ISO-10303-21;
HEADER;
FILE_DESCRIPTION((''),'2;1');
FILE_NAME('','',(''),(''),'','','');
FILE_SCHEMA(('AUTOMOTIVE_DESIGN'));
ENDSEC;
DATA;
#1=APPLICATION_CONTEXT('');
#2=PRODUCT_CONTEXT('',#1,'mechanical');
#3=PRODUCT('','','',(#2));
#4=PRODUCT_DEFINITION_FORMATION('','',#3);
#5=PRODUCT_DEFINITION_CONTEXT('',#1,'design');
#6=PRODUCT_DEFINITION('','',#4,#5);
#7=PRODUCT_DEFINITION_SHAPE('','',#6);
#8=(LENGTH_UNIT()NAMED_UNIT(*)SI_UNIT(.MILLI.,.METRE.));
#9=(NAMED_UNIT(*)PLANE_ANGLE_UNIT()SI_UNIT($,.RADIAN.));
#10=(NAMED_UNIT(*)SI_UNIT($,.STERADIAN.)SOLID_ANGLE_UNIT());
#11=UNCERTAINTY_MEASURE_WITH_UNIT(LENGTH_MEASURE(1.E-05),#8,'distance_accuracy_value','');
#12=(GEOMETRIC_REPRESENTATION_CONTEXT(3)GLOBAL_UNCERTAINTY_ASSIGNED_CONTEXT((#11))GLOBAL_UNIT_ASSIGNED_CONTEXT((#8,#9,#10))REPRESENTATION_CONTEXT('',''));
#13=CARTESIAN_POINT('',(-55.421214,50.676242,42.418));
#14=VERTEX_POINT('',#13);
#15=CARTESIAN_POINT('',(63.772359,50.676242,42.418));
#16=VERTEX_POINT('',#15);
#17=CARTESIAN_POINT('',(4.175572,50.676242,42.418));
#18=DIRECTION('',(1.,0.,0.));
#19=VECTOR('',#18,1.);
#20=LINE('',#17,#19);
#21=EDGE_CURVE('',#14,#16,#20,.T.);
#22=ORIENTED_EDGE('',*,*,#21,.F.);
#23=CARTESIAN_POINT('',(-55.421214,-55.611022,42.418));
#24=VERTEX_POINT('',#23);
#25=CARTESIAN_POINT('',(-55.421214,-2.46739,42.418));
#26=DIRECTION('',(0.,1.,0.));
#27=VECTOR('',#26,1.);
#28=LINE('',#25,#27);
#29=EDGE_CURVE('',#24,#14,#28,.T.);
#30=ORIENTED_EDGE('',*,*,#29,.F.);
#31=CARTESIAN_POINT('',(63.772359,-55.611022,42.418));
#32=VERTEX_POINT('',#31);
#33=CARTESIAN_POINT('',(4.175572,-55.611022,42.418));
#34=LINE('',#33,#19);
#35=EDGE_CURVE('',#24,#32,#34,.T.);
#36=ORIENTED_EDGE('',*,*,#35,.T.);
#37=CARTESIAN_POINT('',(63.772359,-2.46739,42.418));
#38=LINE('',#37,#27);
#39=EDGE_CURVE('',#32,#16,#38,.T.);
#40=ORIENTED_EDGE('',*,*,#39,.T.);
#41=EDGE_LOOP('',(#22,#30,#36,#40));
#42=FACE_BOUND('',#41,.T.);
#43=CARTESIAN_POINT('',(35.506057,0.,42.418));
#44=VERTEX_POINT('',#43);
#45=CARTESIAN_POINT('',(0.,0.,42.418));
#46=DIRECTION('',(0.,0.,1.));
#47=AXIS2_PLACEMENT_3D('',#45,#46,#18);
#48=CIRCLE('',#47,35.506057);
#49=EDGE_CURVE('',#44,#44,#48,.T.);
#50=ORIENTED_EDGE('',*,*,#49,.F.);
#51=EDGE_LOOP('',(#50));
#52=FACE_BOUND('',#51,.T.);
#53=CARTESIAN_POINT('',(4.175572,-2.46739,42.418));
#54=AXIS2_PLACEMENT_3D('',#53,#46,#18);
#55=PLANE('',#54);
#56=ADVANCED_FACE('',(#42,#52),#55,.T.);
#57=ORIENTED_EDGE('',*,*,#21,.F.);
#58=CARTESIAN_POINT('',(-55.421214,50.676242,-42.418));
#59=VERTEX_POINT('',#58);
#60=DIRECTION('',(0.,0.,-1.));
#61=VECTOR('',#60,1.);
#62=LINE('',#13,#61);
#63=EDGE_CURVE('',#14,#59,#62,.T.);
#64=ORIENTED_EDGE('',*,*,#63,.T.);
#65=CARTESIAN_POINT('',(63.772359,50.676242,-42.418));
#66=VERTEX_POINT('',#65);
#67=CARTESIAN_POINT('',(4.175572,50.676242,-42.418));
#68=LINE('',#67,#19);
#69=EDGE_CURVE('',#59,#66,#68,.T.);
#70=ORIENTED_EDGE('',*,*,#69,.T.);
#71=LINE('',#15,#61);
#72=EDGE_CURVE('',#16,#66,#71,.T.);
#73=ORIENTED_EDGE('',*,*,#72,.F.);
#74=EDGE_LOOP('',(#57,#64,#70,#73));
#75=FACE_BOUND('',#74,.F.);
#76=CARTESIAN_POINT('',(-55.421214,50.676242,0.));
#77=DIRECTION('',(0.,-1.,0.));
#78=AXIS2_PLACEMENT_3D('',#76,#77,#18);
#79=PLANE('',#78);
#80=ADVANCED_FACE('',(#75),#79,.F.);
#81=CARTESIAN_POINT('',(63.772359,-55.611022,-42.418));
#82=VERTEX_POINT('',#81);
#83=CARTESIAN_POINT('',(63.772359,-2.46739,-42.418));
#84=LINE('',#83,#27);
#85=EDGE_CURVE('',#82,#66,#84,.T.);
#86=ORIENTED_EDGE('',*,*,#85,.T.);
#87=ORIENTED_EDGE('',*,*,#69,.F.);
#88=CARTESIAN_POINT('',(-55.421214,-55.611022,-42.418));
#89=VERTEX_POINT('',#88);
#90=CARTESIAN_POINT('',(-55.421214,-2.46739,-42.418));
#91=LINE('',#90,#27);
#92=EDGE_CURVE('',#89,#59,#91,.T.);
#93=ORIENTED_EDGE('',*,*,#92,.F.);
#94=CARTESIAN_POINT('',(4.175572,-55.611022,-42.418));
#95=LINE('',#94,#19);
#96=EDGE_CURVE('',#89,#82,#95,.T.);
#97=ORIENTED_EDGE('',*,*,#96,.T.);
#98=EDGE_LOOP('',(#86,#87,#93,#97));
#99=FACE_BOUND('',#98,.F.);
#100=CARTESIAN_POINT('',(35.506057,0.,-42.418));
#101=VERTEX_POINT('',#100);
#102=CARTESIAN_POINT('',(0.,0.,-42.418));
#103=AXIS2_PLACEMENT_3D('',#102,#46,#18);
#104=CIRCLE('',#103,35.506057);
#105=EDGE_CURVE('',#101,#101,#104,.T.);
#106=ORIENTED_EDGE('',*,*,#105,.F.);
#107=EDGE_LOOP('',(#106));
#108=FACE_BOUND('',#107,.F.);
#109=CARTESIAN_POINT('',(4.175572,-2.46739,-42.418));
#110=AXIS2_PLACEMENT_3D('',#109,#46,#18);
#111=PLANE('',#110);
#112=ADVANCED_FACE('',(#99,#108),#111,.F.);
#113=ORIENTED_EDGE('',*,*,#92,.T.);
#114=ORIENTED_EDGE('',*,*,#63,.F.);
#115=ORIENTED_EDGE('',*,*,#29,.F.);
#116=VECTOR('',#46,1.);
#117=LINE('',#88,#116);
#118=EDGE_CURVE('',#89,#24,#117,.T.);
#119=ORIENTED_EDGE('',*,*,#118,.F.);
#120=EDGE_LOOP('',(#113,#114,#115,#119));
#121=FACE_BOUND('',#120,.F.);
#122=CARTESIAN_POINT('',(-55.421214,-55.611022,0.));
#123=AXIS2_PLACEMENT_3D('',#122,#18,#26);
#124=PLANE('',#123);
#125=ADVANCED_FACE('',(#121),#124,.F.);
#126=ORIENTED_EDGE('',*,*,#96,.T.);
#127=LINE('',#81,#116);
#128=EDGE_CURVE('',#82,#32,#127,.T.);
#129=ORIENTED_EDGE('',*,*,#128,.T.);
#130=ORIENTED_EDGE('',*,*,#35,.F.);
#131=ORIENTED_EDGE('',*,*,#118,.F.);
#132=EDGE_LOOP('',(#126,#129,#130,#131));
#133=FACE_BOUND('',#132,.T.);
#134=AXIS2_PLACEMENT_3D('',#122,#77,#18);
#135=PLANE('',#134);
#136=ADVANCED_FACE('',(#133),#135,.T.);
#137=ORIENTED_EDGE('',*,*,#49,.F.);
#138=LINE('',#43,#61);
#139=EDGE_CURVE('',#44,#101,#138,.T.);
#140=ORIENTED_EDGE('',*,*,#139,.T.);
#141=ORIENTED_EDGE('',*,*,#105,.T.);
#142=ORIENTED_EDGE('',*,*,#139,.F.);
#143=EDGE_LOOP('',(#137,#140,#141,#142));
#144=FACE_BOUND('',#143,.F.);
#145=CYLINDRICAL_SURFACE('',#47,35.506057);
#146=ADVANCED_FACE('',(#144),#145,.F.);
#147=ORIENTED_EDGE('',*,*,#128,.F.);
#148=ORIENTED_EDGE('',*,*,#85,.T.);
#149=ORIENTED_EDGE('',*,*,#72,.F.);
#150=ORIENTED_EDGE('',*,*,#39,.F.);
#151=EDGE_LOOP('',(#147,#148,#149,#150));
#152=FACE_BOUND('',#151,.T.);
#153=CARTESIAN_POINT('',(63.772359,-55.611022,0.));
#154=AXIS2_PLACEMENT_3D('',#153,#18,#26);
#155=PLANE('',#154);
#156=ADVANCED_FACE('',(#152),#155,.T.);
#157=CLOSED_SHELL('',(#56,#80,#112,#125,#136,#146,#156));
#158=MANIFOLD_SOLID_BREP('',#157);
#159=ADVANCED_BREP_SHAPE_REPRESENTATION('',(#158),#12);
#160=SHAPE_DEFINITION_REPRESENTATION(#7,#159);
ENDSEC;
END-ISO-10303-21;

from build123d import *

# Parameters (mm, degrees)
F0_W     = 119.193573
F0_H     = 106.287264
F1_DEPTH = 42.418
F2_R     = 35.506057
F3_DEPTH = 102.108


with BuildPart() as f1:
    # F0 (on Top) → F1 (new body, symmetric)
    with BuildSketch(Plane.XY):
        with Locations((4.175572, -2.46739)):
            Rectangle(F0_W, F0_H)
    extrude(amount=F1_DEPTH, both=True)

    # F2 (on face) → F3 (cut)
    with BuildSketch(Plane.XY.offset(42.418)):
        Circle(F2_R)
    extrude(amount=-F3_DEPTH, mode=Mode.SUBTRACT)


solid = f1.part
